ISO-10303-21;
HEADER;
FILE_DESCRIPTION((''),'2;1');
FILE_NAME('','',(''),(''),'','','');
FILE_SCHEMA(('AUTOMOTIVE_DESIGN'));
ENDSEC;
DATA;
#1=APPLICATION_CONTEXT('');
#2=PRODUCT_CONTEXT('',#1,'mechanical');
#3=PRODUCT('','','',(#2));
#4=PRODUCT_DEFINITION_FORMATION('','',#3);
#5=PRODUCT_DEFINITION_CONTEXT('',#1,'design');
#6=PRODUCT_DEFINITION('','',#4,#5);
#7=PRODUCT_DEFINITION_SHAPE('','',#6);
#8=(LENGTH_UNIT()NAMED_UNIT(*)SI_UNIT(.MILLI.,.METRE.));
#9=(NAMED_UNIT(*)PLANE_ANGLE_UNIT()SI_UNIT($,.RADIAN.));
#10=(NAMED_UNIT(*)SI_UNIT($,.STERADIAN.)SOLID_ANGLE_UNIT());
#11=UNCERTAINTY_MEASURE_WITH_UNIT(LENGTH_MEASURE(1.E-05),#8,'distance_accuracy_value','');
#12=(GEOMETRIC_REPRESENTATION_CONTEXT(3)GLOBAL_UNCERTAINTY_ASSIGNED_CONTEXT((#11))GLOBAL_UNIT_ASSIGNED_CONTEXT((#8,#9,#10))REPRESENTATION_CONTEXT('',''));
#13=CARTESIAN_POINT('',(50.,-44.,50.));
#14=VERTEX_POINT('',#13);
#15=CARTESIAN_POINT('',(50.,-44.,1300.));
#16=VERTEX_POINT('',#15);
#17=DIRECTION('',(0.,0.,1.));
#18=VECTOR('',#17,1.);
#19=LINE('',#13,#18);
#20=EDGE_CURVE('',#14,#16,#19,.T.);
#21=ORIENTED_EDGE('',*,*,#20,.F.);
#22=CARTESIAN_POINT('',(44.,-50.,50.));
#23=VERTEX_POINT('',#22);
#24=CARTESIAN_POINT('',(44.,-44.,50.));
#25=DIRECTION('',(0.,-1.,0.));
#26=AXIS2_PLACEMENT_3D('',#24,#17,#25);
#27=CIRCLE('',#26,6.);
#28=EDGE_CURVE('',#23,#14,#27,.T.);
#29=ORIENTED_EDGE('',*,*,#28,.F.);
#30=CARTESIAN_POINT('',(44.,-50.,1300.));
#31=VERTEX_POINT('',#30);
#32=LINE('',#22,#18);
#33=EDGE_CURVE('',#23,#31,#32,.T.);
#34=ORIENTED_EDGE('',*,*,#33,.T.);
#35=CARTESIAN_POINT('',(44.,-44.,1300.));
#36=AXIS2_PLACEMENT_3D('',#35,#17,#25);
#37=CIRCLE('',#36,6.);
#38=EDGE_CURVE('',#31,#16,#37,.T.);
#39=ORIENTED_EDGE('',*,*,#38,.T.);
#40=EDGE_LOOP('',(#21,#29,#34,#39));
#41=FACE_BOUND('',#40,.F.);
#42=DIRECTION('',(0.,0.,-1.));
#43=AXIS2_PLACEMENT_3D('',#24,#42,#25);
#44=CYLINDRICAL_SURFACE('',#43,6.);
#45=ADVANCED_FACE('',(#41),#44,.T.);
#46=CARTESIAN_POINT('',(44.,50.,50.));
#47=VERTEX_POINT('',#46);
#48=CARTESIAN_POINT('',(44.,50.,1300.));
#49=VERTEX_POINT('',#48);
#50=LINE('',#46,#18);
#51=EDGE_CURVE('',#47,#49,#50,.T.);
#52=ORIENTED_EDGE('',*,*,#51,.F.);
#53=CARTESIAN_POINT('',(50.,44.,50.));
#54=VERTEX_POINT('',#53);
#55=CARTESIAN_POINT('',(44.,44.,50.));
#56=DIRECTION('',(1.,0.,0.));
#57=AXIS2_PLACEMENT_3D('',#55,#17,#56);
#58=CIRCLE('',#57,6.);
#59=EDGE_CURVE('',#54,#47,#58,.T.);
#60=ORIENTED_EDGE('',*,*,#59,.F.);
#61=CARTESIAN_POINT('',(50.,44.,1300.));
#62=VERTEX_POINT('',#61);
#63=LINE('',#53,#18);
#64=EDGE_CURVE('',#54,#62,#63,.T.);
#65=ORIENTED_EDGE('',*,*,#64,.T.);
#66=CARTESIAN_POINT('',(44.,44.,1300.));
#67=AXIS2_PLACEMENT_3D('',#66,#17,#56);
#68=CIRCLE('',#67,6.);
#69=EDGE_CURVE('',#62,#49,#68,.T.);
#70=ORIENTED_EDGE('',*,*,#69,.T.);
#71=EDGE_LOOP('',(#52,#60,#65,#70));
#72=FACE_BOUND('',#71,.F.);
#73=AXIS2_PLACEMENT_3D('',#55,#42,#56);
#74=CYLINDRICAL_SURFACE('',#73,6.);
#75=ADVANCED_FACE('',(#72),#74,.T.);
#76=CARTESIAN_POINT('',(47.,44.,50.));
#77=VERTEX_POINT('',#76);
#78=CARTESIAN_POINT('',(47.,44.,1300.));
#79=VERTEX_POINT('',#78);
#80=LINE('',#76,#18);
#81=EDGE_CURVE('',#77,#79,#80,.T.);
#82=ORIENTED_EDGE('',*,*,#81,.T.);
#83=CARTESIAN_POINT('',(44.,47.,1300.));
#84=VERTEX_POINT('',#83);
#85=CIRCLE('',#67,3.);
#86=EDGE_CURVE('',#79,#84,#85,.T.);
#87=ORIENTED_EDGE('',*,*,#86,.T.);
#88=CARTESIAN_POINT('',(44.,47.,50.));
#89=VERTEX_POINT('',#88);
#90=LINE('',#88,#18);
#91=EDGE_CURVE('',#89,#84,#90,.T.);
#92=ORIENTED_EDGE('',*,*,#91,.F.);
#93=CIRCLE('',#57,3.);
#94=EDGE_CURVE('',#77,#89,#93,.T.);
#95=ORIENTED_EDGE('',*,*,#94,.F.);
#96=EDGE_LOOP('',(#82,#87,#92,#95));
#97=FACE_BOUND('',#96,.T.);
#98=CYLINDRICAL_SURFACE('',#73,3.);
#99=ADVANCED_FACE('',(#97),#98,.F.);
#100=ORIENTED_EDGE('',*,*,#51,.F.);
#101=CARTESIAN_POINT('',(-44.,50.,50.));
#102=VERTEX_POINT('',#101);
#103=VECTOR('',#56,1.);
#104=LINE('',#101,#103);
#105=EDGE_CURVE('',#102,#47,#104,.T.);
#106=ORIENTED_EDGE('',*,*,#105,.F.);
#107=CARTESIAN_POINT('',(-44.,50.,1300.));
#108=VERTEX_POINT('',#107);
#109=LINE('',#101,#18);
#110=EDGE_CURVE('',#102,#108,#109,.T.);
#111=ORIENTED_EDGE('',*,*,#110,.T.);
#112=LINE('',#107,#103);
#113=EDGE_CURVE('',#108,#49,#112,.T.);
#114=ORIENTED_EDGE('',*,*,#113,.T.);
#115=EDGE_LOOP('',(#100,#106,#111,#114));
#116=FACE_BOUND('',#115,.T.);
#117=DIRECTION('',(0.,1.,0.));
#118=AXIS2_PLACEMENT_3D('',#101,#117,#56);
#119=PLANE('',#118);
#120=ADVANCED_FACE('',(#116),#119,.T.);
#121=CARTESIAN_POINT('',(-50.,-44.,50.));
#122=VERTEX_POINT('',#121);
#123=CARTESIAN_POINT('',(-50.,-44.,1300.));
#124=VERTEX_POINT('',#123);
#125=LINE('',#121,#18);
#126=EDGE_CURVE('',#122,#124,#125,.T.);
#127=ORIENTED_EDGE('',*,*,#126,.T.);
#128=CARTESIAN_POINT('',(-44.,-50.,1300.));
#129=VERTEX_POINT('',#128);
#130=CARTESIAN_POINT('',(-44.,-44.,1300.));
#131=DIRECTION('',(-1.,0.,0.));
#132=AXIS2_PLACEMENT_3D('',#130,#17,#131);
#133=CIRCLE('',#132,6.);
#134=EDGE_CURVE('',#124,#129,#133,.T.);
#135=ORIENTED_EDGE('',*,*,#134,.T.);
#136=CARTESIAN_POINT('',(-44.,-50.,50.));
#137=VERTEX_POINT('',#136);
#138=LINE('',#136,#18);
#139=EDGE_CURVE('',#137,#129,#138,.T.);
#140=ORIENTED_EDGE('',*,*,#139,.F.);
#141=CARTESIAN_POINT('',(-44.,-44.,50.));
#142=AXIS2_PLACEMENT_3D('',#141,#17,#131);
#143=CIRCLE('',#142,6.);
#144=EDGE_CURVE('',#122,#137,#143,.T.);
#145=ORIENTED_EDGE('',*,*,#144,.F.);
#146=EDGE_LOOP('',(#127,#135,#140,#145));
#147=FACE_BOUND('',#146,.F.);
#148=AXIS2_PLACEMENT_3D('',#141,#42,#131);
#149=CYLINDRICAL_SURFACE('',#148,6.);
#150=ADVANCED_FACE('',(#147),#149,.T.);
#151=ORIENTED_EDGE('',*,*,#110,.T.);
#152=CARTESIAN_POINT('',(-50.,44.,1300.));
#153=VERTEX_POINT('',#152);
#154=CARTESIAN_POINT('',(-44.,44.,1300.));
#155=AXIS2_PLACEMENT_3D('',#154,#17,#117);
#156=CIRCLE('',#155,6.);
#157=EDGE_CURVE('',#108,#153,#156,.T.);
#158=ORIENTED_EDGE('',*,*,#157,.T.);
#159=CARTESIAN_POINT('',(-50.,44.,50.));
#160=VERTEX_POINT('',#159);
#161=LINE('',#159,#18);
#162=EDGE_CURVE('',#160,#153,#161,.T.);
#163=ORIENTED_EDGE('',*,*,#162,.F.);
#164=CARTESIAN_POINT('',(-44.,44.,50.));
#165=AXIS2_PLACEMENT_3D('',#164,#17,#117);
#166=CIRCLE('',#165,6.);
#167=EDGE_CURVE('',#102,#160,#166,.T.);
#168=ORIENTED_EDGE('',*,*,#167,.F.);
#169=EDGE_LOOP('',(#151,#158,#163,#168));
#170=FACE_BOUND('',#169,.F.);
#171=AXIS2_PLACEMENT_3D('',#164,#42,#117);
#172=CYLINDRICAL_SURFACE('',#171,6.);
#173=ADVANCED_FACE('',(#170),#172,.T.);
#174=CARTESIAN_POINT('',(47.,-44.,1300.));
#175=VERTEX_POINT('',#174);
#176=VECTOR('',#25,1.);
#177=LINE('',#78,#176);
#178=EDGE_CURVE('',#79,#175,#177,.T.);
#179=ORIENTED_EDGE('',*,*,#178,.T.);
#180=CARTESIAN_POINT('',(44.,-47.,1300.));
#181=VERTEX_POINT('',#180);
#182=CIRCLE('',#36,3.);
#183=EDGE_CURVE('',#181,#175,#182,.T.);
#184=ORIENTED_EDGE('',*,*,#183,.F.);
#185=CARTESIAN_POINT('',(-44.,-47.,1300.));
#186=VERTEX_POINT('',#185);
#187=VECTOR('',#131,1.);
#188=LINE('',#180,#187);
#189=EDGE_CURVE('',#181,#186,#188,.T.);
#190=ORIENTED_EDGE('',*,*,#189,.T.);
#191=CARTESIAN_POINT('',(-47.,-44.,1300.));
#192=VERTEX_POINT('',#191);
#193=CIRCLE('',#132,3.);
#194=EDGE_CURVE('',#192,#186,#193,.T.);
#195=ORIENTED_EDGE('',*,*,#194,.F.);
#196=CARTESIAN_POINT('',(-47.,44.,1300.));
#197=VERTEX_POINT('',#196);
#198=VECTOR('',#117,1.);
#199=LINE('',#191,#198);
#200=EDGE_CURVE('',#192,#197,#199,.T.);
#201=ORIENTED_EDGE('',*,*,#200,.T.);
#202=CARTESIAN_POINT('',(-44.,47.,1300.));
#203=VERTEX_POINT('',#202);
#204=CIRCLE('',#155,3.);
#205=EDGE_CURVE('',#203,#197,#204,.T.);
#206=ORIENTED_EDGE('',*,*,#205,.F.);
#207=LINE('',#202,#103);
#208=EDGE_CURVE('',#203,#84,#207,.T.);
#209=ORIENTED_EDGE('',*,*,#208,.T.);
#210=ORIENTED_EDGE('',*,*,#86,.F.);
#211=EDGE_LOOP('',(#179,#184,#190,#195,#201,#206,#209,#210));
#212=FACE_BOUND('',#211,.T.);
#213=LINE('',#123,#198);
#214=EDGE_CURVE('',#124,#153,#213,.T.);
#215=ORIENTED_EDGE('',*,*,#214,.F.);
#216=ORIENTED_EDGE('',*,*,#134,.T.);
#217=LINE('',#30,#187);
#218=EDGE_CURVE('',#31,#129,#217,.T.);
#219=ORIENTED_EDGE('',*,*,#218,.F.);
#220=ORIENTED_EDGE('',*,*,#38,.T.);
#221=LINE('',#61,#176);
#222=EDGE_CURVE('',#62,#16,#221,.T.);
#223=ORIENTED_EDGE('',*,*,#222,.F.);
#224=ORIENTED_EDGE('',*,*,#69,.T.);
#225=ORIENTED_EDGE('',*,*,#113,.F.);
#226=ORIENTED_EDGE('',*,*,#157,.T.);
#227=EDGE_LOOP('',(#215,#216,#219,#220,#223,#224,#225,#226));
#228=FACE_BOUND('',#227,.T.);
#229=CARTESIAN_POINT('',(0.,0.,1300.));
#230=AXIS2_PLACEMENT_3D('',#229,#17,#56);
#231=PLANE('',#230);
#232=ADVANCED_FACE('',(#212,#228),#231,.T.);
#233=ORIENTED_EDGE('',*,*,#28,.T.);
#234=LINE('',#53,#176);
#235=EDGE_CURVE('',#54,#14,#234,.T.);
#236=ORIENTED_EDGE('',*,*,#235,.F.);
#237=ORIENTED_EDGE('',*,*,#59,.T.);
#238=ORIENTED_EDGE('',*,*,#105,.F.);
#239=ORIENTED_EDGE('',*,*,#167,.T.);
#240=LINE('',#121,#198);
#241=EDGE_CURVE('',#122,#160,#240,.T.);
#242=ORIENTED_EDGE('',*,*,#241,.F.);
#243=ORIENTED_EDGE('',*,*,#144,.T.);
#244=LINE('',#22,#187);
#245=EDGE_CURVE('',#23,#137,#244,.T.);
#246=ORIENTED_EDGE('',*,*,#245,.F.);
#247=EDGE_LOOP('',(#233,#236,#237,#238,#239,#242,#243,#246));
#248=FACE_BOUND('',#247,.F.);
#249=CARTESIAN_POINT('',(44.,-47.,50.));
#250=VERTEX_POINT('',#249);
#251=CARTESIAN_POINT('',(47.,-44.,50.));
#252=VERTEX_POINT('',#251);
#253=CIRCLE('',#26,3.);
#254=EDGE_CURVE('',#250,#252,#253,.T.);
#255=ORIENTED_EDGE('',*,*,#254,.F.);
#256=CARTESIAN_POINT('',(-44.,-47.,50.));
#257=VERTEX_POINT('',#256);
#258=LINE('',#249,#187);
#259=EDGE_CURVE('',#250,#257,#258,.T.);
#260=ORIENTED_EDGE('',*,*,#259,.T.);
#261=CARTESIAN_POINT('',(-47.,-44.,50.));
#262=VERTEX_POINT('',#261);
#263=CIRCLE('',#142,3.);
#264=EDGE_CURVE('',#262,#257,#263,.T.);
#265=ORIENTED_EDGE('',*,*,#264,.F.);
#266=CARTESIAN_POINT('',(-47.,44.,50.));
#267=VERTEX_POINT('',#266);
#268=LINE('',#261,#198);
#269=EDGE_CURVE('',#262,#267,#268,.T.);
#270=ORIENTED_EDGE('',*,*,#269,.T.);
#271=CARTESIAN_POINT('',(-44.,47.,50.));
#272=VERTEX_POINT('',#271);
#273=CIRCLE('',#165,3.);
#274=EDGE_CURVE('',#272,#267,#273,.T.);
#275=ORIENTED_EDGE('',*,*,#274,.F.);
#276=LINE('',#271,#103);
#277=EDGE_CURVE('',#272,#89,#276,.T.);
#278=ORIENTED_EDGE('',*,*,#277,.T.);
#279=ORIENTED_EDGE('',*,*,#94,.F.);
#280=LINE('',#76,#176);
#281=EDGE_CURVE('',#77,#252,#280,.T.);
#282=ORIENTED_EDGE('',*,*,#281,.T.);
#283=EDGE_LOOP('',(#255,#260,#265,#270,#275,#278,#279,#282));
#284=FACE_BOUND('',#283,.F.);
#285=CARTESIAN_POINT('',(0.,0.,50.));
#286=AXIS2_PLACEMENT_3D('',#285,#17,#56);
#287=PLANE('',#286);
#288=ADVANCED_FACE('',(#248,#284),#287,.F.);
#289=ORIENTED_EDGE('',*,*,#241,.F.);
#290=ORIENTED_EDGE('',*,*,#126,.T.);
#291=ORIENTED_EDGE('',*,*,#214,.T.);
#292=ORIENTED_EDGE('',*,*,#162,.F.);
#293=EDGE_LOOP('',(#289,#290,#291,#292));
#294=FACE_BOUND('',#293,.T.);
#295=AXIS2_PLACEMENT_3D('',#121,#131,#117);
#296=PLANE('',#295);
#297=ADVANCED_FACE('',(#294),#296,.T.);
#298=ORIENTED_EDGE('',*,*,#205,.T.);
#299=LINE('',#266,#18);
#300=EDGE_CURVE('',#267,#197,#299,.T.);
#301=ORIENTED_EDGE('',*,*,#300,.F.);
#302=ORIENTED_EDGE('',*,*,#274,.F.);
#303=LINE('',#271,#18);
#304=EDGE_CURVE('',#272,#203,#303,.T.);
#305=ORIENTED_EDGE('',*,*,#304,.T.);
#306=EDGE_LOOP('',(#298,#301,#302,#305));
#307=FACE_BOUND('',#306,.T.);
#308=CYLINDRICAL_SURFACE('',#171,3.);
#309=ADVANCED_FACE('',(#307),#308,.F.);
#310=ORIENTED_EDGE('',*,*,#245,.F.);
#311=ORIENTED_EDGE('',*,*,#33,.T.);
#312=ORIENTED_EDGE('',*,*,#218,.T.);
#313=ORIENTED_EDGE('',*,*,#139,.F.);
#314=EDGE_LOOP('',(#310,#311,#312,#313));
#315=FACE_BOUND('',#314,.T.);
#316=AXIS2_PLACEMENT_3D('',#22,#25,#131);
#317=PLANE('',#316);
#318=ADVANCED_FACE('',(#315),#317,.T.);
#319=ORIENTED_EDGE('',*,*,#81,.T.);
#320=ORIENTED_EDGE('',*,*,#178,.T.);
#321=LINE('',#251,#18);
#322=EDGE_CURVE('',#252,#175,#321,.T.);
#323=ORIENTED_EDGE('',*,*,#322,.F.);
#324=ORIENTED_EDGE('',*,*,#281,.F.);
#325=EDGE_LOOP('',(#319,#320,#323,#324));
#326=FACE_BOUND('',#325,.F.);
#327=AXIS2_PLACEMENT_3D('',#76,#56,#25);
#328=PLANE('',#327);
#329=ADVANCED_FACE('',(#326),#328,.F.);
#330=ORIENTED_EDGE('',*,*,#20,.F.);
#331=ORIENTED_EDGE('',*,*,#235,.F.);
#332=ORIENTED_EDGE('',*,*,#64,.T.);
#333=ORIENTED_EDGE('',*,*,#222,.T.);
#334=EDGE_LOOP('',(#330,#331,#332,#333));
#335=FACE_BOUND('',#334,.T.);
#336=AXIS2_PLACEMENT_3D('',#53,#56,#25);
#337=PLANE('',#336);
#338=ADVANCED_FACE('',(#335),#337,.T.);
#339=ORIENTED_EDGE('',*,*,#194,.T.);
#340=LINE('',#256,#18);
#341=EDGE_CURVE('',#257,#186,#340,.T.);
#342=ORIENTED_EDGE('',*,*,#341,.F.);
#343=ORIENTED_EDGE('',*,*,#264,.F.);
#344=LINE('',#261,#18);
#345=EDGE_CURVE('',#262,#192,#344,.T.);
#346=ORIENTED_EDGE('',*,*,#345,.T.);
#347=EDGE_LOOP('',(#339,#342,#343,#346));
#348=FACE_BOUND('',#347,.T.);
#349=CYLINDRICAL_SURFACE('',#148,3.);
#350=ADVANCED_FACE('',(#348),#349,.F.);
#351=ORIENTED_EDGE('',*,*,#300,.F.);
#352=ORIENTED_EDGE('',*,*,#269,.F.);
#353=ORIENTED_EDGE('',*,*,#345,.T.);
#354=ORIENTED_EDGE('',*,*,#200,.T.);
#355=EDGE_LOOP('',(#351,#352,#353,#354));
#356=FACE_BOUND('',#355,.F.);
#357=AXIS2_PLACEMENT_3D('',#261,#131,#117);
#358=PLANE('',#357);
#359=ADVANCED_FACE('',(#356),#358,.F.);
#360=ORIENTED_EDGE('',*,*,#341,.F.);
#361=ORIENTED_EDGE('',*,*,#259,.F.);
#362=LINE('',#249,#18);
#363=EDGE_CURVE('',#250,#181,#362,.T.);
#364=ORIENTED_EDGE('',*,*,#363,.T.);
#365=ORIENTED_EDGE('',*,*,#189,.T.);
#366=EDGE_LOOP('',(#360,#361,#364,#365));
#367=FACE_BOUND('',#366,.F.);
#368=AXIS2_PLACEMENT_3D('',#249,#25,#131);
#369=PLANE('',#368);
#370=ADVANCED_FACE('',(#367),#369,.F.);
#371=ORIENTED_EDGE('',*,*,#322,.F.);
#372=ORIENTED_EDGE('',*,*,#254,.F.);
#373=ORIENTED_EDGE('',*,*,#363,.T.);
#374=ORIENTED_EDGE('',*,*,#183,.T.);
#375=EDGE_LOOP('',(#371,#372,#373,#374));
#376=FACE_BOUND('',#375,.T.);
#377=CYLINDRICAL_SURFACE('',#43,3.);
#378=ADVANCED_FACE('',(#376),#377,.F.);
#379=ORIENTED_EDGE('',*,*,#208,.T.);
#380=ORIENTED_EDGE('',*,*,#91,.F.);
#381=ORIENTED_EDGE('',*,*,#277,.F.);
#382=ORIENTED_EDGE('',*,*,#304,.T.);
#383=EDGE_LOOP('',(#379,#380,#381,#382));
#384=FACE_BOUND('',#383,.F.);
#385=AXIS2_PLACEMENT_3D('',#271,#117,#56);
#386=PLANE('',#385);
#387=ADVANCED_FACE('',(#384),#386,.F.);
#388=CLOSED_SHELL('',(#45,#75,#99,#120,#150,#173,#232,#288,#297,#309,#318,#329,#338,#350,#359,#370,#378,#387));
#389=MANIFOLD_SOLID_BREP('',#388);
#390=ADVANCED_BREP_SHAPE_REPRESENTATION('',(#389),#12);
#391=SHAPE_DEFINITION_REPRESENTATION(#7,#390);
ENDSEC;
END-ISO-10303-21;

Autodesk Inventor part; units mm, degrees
ref_plane "YZ Plane" through (0, 0, 0) normal (1, 0, 0) x (0, 1, 0)
ref_plane "Start plane" through (0, 0, 50) normal (0, 0, 1) x (1, 0, 0)
ref_plane "End plane" through (0, 0, 1300) normal (0, 0, 1) x (1, 0, 0)
sketch "Sketch" plane through (0, 0, 0) normal (0, 0, 1) x (1, 0, 0)
  line L0 (-50, -44) -> (-50, 44)
  line L1 (-44, 50) -> (44, 50)
  line L2 (50, 44) -> (50, -44)
  line L3 (44, -50) -> (-44, -50)
  arc A0 (-50, -44) -> (-44, -50) centre (-44, -44) ccw
  arc A1 (50, 44) -> (44, 50) centre (44, 44) ccw
  arc A2 (-44, 50) -> (-50, 44) centre (-44, 44) ccw
  arc A3 (44, -50) -> (50, -44) centre (44, -44) ccw
  arc A4 (-44, 47) -> (-47, 44) centre (-44, 44) ccw
  line L4 (-44, 47) -> (44, 47)
  arc A5 (47, 44) -> (44, 47) centre (44, 44) ccw
  line L5 (47, 44) -> (47, -44)
  arc A6 (44, -47) -> (47, -44) centre (44, -44) ccw
  line L6 (44, -47) -> (-44, -47)
  arc A7 (-47, -44) -> (-44, -47) centre (-44, -44) ccw
  line L7 (-47, -44) -> (-47, 44)
  line L8 (0, 72.3196) -> (0, -72.3196) construction
  line L9 (-72.3196, 0) -> (72.3196, 0) construction
  dimension "d7" = 6
  dimension "d9" = 100
  dimension "d11" = 100
  dimension "d12" = 3
  dimension "d15" = 50
  dimension "d16" = 50
extrude "Body" add sketch "Sketch" along normal up to surface (1250 mm away) from surface at 50
sketch "Sketch3" plane through (0, 0, 0) normal (0, 0, 1) x (1, 0, 0)
  line L0 (0, 0) -> (10, 0)
ref_plane "Work Plane3" through (0, 0, 0) normal (0, -1, 0) x (1, 0, 0)
sketch "Sketch4" plane through (0, 0, 0) normal (0, -1, 0) x (1, 0, 0)
  line L0 (-2, 50) -> (12, 50) projected
  line L1 (-2, 1300) -> (12, 1300) projected
  dimension "d18" = 1250
equation "\"d7\" = G_IR"
equation "\"d9\" = G_W"
equation "\"d11\" = G_H"
equation "\"d12\" = G_T"
equation "\"d15\" = 0.5 * d9"
equation "\"d16\" = 0.5 * d11"
equation "\"d3\" = G_L"
equation "\"G_W\" = 100"
equation "\"G_H\" = 100"
equation "\"G_T\" = 3"
equation "\"G_IR\" = 6"
equation "\"G_L\" = d18"
properties part number "ISO 10799-2 - 100x100x3 - 1250" material "Steel, Mild"
